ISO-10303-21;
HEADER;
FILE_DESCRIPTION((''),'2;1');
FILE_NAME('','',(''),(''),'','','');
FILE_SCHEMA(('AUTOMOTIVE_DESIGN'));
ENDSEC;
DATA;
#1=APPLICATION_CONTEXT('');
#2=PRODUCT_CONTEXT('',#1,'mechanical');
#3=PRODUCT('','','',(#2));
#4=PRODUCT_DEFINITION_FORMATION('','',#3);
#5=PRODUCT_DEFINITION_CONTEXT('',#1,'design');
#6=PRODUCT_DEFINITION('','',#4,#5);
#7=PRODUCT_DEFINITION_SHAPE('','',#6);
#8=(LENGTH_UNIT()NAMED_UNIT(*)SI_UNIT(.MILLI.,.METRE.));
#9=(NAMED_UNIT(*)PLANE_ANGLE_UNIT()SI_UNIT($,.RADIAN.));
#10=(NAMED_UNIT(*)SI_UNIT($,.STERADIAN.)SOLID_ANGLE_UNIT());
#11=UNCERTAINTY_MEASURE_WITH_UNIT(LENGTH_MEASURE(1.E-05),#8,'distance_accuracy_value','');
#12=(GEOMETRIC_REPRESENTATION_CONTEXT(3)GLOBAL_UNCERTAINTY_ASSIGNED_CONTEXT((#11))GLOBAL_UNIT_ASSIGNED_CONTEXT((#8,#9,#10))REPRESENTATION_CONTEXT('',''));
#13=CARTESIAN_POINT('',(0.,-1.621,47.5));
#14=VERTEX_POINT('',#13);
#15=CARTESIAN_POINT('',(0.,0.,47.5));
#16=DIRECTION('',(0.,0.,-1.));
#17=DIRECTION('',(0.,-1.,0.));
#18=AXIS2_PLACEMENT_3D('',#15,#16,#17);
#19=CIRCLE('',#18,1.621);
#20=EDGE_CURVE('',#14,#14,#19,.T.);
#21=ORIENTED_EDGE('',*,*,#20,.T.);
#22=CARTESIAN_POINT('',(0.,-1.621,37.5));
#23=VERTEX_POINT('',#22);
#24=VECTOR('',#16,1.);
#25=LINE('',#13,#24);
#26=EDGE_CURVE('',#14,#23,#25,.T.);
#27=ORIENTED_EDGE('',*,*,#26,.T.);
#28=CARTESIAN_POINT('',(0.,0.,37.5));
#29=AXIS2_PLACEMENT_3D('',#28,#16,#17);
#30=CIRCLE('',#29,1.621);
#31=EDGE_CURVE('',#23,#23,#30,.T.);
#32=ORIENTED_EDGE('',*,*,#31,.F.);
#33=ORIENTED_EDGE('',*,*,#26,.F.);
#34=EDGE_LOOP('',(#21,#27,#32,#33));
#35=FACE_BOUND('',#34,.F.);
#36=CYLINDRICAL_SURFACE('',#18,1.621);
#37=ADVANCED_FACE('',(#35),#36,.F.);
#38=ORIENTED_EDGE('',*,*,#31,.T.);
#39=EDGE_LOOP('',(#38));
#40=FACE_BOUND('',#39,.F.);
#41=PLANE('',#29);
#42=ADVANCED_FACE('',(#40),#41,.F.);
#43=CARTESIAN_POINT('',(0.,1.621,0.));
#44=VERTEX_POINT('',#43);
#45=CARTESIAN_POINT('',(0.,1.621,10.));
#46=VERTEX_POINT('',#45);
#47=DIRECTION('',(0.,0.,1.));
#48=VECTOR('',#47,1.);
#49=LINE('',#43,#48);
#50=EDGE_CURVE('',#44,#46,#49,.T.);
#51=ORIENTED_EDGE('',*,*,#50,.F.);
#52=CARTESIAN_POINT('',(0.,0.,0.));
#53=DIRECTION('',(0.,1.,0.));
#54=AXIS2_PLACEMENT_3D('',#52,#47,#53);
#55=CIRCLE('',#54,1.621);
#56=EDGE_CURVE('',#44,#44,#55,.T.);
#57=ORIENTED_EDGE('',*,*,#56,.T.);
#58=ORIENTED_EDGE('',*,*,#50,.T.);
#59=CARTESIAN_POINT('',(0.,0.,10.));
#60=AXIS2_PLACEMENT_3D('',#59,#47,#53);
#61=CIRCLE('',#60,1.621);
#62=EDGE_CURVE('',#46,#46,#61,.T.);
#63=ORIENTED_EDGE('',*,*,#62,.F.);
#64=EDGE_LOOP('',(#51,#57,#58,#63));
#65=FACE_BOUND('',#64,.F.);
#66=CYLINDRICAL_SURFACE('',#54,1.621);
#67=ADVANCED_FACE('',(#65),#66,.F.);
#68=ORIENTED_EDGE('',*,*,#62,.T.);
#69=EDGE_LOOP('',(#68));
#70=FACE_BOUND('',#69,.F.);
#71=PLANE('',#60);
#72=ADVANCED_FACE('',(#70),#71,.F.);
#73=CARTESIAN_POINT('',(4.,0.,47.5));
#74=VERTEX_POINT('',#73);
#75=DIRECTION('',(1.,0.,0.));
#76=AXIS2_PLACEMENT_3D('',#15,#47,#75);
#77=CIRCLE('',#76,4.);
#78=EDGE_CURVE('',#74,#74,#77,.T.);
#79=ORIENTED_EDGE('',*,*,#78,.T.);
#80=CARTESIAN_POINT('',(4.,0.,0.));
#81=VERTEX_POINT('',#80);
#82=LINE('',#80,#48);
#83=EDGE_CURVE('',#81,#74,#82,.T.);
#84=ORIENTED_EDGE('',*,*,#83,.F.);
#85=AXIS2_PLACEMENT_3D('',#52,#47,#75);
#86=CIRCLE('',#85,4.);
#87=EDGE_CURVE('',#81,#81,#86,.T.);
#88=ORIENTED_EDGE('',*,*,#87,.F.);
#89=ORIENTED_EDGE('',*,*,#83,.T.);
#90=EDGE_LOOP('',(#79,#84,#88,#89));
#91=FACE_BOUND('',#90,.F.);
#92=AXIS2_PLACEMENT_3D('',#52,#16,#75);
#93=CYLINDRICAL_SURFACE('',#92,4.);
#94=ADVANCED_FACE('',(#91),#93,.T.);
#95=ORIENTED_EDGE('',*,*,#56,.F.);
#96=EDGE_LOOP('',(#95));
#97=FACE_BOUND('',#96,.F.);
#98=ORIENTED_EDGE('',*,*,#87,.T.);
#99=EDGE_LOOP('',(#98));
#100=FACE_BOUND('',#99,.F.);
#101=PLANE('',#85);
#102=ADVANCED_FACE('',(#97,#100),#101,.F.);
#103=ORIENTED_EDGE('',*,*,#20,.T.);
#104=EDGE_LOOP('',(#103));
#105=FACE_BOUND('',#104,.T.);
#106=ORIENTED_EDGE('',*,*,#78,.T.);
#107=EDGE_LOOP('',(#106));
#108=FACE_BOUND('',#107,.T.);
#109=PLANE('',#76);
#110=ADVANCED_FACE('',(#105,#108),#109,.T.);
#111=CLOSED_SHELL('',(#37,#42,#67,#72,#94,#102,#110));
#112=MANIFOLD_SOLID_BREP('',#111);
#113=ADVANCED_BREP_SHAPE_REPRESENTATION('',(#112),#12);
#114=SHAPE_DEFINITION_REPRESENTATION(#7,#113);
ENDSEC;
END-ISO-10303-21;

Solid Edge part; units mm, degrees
sketch "Sketch1" plane through (0, 0, 0) normal (0, 0, 1) x (1, 0, 0)
  circle A0 centre (0, 0) radius 4
extrude "Protrusion1" add sketch "Sketch1" along normal blind 47.5
hole "Hole_3" at (0, 0, 0) direction (0, 0, 1) diameter 3.242 depth 10 thread major 4 thread length 8
hole "Hole_4" at (0, 0, 47.5) direction (0, 0, -1) diameter 3.242 depth 10 thread major 4 thread length 8
